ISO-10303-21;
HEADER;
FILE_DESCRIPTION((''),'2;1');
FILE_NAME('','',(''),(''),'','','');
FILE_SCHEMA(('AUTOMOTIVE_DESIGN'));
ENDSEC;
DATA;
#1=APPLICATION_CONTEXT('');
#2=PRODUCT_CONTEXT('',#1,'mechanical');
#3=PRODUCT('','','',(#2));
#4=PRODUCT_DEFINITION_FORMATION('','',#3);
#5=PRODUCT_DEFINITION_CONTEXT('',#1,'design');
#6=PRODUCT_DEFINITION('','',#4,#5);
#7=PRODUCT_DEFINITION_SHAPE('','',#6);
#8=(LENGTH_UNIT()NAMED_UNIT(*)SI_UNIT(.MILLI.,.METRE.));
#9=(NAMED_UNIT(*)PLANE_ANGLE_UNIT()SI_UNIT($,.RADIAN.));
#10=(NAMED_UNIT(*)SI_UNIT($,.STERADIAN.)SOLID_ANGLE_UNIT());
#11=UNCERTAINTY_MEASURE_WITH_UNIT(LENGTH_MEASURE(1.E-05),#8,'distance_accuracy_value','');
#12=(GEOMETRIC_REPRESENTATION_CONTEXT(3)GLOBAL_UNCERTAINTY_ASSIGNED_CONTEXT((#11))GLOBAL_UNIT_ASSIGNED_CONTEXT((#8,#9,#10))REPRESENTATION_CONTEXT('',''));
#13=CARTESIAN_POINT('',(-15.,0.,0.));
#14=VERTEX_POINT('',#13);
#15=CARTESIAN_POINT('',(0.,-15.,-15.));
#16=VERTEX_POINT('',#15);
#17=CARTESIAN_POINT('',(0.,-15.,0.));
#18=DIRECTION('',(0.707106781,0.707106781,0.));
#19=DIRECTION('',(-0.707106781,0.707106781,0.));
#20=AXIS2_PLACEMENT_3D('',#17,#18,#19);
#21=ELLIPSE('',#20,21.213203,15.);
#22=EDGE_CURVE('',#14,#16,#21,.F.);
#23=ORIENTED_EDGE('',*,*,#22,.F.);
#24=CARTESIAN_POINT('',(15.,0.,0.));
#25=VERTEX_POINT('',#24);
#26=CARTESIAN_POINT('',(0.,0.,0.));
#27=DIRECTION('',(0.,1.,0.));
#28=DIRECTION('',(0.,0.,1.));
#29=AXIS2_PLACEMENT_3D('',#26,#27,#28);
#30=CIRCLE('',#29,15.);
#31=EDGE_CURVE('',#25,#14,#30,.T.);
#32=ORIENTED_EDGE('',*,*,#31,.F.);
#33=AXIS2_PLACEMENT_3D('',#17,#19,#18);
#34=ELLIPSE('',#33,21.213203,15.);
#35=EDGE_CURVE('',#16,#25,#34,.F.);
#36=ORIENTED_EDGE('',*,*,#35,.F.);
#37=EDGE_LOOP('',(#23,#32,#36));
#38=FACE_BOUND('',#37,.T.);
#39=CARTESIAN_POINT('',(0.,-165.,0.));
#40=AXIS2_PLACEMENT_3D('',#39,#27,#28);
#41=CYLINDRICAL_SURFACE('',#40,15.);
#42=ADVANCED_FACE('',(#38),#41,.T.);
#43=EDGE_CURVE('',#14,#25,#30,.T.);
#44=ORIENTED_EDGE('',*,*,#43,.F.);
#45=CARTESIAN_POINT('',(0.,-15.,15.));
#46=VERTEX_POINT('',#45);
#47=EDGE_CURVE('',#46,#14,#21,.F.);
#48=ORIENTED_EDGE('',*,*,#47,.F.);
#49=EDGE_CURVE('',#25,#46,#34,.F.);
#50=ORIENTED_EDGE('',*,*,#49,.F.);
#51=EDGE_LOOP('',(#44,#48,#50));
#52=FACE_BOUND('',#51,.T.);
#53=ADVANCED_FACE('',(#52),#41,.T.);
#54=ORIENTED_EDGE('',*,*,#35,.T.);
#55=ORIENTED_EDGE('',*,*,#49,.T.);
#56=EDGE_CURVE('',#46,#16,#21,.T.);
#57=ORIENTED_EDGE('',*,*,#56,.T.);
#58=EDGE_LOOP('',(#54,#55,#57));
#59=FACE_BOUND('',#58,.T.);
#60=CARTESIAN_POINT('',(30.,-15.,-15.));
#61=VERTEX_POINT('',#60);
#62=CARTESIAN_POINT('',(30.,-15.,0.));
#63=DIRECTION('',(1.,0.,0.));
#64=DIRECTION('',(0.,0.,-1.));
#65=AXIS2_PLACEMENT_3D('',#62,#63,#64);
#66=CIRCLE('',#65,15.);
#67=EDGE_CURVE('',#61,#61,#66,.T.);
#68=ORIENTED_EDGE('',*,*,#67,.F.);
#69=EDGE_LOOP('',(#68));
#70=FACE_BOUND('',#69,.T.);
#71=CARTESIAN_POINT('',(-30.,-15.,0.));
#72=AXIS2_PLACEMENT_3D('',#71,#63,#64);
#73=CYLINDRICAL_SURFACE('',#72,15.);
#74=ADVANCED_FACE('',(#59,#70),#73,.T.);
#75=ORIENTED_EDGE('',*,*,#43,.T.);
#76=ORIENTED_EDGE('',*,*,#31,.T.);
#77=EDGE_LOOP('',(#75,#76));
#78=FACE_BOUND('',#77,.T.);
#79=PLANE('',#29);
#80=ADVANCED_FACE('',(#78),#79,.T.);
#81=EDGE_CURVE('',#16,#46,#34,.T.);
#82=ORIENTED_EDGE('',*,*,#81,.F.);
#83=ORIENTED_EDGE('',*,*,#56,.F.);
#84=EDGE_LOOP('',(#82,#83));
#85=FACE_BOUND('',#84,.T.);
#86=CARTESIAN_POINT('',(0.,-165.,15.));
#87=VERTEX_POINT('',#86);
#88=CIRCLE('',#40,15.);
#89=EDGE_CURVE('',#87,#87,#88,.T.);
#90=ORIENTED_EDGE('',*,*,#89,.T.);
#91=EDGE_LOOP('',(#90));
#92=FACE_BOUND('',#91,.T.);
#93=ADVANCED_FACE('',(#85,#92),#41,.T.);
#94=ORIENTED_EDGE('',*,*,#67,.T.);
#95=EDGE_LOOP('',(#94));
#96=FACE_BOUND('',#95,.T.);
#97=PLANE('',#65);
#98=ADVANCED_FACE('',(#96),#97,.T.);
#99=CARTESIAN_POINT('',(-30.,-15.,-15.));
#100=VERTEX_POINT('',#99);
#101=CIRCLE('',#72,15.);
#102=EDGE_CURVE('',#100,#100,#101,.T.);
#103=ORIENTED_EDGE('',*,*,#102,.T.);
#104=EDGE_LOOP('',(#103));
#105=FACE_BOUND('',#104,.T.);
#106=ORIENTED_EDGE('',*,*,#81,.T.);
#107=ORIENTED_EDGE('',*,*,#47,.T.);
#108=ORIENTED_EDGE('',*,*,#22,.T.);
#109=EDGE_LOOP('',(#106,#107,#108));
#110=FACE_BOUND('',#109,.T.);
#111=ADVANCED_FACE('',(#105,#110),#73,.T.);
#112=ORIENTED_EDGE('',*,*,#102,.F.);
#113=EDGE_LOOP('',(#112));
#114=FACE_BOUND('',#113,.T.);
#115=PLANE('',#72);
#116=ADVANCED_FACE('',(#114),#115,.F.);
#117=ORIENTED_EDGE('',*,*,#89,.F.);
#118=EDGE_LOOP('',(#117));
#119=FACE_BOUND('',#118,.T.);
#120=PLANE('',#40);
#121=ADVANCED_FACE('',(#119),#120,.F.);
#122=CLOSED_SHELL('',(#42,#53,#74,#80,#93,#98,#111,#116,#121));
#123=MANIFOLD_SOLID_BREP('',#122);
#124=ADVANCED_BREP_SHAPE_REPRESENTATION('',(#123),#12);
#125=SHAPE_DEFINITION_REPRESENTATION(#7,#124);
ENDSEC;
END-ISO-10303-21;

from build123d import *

# Parameters (mm, degrees)
ESBO_O1_R                     = 15
RESSALTO_EXTRUS_O1_DEPTH      = 165
RESSALTO_EXTRUS_O2_DEPTH      = 30
RESSALTO_EXTRUS_O2_DEPTH_BACK = 30
ESBO_O3_R                     = 15


with BuildPart() as part:
    # Esboço1 → Ressalto-extrusão1 (new body)
    with BuildSketch(Plane(origin=(0, 0, 0), x_dir=(1, 0, 0), z_dir=(0, 1, 0))):
        Circle(ESBO_O1_R)
    extrude(amount=-RESSALTO_EXTRUS_O1_DEPTH)

    # Esboço3 → Ressalto-extrusão2 (add, two sides: drawn at the far end of the back side and taken through both)
    with BuildSketch(Plane(origin=(0, 0, 0), x_dir=(0, 0, -1), z_dir=(1, 0, 0)).offset(-RESSALTO_EXTRUS_O2_DEPTH_BACK)):
        with Locations((0, -15)):
            Circle(ESBO_O3_R)
    extrude(amount=RESSALTO_EXTRUS_O2_DEPTH + RESSALTO_EXTRUS_O2_DEPTH_BACK)


solid = part.part
